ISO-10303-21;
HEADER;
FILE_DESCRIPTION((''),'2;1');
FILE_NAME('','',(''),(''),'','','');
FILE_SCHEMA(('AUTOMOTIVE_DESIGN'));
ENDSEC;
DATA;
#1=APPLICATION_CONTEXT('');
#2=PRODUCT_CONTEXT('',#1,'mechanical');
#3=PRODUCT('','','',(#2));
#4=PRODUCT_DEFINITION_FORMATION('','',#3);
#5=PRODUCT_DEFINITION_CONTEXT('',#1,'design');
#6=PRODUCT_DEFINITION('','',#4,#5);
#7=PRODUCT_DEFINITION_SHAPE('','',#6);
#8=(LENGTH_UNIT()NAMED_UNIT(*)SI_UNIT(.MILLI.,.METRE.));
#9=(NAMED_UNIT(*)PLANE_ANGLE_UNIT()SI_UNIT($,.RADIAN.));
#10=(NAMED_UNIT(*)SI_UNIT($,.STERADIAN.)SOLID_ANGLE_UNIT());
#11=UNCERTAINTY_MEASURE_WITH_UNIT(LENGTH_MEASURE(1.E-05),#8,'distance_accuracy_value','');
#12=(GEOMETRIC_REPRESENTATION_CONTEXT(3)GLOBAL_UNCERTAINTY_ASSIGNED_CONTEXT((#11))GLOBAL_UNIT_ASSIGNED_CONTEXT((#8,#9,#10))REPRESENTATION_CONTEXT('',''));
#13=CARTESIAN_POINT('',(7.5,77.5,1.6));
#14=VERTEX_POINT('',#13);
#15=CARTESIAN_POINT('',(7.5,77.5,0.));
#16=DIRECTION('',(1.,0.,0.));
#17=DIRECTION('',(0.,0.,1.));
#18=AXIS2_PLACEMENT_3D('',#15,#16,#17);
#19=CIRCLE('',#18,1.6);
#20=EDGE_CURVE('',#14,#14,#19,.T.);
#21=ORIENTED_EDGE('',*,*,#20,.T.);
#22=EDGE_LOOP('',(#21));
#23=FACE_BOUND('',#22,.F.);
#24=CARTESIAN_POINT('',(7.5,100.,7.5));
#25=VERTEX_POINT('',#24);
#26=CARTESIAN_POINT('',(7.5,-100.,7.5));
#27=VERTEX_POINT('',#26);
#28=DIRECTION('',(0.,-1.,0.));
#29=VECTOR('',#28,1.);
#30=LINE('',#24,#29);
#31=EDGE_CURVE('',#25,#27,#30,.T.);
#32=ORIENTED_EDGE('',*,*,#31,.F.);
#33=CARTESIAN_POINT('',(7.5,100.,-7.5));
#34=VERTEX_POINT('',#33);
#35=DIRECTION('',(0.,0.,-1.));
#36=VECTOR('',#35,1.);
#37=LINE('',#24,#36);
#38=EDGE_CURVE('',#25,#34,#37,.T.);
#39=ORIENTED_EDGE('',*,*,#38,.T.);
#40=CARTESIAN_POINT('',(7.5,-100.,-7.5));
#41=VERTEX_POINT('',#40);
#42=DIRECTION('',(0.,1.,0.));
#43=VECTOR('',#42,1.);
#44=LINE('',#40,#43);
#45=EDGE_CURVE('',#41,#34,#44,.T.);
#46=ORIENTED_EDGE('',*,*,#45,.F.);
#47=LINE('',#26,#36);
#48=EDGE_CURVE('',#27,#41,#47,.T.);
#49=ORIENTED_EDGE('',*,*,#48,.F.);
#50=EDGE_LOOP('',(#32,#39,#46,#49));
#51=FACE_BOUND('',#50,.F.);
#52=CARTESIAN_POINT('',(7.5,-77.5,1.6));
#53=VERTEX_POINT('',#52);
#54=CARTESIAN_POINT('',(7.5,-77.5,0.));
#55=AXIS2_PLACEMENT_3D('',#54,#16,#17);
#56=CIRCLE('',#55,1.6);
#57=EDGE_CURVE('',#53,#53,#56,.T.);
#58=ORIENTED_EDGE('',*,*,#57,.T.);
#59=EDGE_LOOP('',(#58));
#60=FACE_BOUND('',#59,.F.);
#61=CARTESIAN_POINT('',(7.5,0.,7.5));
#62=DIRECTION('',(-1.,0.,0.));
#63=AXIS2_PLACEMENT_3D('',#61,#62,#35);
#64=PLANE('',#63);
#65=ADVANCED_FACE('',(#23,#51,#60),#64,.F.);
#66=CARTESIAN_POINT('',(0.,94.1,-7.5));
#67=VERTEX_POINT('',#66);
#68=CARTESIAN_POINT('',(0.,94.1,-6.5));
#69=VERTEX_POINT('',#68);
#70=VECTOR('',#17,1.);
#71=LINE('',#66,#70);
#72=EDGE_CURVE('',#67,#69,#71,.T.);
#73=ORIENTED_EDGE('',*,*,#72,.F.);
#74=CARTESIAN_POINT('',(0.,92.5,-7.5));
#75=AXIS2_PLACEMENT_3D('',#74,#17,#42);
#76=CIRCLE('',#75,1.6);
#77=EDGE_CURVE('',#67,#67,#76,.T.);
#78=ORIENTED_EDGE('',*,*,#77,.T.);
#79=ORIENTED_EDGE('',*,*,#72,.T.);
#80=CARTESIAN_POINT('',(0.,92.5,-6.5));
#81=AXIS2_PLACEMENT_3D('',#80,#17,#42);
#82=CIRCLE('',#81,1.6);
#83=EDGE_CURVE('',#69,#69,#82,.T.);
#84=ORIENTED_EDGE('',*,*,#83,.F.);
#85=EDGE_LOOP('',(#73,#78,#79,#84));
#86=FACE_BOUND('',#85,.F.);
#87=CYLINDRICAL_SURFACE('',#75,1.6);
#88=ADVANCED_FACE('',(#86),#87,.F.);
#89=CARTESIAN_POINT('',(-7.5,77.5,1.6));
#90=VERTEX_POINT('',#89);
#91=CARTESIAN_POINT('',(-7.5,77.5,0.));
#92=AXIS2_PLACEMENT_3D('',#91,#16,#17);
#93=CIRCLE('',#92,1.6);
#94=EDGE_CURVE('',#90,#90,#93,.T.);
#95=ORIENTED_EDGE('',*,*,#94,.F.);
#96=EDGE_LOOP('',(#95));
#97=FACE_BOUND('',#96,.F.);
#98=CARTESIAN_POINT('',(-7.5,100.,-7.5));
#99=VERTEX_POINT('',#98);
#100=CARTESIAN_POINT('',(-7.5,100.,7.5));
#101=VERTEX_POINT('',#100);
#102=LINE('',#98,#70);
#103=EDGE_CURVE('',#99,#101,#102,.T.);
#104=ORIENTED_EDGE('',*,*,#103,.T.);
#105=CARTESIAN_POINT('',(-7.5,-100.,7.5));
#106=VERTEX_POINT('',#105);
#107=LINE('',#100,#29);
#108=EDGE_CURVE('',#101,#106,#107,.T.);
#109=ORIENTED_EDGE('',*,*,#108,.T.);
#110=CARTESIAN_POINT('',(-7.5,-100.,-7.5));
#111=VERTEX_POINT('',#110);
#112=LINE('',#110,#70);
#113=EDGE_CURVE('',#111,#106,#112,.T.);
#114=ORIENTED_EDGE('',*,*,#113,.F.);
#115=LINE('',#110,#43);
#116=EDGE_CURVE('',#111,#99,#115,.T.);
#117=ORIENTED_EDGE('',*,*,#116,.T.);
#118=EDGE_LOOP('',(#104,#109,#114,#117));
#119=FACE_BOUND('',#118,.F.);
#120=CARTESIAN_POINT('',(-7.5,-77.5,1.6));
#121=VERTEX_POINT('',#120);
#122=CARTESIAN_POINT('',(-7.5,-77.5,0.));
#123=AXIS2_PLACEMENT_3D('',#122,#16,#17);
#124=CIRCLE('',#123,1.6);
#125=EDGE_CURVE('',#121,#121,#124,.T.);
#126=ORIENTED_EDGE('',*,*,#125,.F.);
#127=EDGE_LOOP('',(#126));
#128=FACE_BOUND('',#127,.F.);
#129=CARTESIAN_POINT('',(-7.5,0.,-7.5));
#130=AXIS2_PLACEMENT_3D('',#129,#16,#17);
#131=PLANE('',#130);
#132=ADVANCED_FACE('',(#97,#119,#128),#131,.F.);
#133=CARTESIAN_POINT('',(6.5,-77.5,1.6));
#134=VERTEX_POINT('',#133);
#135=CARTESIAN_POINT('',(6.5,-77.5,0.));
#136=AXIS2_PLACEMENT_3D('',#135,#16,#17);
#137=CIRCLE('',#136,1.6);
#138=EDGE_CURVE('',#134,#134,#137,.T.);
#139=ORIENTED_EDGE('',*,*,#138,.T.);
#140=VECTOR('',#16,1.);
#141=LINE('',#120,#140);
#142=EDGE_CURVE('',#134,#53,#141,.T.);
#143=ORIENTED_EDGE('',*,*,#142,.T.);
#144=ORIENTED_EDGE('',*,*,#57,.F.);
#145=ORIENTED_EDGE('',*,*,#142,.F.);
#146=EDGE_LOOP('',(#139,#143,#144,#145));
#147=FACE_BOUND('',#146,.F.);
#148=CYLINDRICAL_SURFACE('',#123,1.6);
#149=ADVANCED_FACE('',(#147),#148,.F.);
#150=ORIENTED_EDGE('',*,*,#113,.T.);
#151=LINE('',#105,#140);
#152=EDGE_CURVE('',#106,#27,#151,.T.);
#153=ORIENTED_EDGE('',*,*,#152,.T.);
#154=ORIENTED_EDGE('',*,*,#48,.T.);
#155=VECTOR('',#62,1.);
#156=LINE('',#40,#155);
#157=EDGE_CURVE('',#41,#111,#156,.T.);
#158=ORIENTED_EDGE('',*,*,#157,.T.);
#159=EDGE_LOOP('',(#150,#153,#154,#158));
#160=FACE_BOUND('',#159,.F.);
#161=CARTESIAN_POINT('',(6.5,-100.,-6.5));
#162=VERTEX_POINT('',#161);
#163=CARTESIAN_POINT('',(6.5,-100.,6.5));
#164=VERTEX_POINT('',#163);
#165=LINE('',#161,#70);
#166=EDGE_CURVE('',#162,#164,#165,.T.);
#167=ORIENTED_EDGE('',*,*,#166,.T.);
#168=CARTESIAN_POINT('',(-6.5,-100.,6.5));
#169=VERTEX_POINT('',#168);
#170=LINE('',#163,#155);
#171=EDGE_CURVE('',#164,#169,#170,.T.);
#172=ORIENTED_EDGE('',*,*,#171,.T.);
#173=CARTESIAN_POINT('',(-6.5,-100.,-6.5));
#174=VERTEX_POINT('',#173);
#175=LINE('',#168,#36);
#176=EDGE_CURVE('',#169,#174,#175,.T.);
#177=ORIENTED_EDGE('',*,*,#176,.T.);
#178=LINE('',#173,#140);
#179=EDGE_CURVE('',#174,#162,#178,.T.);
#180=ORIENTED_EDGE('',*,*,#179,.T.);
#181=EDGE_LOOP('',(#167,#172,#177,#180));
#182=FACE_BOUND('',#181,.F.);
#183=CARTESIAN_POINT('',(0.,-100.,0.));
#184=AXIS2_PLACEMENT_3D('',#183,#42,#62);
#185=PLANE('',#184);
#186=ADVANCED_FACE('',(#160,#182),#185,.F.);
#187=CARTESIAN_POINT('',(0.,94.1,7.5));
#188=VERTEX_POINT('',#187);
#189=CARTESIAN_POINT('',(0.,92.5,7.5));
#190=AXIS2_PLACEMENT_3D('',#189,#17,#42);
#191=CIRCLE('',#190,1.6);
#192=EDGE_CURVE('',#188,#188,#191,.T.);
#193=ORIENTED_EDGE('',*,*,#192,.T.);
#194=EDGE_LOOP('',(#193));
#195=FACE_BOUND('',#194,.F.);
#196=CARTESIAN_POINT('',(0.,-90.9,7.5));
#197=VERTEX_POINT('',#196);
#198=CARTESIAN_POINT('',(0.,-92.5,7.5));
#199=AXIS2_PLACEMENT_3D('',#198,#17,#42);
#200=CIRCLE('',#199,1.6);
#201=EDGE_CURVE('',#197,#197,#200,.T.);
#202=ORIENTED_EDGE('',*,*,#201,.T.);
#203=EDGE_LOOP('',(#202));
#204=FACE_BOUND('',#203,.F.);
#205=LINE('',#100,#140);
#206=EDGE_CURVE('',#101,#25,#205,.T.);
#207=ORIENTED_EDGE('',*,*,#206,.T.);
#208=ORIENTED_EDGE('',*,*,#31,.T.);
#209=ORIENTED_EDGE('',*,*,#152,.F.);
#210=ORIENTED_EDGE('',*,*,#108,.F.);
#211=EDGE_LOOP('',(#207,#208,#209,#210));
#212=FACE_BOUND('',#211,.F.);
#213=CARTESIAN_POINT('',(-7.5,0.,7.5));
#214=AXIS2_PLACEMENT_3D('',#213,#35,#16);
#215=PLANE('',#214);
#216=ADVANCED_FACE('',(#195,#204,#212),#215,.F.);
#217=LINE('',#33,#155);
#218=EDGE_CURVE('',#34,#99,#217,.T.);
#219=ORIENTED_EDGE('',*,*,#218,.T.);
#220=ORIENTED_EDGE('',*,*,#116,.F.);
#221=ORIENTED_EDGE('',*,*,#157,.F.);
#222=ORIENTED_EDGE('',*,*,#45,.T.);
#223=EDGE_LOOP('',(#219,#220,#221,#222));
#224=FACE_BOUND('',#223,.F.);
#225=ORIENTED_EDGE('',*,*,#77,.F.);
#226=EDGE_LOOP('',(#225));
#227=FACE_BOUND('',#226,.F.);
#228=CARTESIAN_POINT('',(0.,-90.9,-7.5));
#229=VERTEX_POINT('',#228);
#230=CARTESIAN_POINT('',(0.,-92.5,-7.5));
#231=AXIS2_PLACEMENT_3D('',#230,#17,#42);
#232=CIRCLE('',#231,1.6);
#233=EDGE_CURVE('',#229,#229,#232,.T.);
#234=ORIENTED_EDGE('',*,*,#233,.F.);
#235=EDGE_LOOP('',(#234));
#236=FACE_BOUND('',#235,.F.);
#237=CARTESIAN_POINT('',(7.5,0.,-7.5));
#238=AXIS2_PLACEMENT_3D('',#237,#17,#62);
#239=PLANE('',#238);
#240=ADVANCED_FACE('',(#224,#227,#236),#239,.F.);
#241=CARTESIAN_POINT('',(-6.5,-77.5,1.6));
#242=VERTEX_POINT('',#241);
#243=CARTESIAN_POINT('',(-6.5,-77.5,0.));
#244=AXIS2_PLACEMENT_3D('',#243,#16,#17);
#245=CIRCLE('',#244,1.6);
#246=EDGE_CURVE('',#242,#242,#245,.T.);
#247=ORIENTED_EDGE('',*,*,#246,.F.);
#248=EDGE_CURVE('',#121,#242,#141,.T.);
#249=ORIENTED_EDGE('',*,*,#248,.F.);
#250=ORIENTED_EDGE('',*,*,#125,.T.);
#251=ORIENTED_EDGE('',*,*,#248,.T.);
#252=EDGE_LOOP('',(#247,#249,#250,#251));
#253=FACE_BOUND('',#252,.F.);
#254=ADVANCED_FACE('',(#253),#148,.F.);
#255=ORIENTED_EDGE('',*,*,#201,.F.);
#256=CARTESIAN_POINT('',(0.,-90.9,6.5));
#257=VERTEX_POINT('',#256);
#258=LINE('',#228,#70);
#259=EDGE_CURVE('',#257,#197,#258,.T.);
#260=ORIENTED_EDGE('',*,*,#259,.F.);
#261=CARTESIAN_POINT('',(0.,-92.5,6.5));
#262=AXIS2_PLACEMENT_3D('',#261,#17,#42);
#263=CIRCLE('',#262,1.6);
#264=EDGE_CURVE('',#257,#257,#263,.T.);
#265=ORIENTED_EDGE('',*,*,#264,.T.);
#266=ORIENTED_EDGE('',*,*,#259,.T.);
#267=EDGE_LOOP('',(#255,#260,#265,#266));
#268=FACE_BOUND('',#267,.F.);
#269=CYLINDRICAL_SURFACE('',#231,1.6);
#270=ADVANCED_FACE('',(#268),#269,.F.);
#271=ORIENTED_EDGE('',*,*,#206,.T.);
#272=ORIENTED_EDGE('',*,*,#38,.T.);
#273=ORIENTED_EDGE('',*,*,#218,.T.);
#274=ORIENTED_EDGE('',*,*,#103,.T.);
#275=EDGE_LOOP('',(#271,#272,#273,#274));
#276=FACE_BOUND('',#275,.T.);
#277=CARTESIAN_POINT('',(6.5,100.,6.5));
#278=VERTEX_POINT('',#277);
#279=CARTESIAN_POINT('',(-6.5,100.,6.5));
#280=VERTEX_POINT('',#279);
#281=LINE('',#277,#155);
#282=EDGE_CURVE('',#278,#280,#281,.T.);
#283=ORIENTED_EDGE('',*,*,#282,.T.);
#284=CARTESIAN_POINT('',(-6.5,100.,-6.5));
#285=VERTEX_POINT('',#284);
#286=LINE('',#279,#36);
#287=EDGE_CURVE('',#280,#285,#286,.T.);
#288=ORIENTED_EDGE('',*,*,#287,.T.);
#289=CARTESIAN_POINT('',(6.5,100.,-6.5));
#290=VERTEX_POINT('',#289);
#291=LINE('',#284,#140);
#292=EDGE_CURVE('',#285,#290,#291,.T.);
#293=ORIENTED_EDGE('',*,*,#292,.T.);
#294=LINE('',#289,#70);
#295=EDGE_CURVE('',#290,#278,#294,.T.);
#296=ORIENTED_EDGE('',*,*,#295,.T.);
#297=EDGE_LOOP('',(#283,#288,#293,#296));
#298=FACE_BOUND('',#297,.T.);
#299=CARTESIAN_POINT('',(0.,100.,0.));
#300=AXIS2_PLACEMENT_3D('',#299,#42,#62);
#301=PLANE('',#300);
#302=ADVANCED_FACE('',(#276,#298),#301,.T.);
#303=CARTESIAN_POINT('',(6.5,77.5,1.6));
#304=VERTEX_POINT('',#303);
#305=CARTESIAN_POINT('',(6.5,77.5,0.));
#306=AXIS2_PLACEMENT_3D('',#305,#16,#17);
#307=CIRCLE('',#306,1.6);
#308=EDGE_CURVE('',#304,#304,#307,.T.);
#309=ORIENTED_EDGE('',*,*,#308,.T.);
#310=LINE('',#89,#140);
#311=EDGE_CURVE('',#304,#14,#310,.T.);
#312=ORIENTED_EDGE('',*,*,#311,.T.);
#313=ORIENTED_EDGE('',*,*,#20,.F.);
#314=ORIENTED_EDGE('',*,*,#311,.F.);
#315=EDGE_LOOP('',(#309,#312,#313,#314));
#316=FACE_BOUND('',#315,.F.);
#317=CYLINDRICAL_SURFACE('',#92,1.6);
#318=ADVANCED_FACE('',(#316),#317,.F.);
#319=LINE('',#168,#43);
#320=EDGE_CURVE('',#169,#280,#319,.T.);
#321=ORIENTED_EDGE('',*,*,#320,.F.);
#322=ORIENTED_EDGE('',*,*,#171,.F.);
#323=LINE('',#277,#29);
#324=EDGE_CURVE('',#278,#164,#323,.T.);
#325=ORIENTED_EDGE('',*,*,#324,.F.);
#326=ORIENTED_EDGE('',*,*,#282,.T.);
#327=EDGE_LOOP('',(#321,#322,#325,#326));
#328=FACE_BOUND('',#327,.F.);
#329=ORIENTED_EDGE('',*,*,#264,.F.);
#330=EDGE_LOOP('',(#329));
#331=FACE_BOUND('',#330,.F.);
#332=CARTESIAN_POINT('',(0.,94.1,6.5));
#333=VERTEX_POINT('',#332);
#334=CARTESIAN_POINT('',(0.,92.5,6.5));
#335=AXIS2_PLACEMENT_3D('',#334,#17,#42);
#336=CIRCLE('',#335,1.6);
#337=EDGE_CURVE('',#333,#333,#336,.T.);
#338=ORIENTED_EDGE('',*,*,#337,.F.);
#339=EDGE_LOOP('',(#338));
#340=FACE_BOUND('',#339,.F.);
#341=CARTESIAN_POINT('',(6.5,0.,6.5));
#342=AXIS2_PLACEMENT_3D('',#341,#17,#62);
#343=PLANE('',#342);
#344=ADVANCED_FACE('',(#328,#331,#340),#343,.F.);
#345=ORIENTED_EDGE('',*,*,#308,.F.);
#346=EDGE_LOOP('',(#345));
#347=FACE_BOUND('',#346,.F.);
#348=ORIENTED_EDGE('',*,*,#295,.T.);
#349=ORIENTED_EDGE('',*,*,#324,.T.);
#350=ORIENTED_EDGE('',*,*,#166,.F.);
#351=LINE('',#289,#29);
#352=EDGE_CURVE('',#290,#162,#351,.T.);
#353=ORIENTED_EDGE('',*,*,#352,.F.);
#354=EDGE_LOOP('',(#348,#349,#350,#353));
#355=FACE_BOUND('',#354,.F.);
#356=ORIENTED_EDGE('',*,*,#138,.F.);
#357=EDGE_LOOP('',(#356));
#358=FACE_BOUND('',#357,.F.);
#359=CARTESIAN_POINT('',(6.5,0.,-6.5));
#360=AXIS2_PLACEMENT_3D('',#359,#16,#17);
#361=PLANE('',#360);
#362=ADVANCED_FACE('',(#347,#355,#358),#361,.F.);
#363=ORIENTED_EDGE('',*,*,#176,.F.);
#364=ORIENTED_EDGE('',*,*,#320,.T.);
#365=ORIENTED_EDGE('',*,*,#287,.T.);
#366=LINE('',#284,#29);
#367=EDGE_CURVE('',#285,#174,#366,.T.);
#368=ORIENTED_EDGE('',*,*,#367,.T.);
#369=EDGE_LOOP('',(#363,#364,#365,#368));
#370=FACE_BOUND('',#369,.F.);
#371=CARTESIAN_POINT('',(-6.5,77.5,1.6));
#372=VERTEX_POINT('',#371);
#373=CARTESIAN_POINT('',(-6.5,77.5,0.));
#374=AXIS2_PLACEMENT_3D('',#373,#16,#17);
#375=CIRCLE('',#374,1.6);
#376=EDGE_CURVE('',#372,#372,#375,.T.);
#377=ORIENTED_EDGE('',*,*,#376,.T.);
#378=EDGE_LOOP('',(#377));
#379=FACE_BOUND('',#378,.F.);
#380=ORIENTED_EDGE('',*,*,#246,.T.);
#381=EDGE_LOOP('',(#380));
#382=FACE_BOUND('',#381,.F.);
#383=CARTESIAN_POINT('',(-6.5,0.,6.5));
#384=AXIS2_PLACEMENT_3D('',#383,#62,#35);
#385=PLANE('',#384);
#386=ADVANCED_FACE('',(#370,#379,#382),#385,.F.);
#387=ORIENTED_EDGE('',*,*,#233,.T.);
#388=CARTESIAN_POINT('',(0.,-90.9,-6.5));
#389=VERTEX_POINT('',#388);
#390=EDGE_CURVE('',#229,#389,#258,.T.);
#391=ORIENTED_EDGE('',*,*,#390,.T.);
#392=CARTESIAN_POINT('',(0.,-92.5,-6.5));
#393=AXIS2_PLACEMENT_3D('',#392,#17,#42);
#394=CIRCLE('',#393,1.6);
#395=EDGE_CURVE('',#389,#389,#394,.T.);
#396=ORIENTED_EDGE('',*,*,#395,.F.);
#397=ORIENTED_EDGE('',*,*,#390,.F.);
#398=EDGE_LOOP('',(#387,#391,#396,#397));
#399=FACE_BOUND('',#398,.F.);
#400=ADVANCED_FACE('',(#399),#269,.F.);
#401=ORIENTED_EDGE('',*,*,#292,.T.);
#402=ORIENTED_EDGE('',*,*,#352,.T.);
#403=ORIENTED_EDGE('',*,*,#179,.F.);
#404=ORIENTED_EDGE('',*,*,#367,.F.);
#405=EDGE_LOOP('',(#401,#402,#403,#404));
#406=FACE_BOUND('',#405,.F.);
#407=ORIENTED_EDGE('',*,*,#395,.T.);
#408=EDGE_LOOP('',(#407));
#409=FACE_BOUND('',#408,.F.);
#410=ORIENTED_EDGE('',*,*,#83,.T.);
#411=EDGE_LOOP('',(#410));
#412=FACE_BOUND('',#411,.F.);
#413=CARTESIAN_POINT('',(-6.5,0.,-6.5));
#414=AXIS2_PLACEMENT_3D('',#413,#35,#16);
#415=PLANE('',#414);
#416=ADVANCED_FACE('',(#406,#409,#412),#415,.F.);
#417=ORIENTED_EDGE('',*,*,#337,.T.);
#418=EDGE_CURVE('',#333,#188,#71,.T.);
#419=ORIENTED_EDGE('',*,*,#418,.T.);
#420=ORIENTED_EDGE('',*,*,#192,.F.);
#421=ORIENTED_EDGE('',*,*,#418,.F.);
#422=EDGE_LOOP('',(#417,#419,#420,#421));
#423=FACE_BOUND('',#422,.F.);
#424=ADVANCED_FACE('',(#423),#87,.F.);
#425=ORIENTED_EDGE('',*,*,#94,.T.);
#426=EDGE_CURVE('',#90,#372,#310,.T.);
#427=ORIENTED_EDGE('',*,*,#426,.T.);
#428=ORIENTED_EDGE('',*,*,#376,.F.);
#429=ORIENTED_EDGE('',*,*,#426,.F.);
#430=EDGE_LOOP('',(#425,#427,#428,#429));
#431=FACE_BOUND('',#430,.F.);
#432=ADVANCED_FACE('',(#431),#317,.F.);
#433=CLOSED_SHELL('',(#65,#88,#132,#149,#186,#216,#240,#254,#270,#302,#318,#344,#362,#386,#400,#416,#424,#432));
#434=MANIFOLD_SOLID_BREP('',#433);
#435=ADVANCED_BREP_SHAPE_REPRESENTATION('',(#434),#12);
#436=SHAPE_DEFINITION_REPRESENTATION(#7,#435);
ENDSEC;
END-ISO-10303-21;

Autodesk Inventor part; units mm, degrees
ref_plane "YZ Plane" through (0, 0, 0) normal (1, 0, 0) x (0, 1, 0)
ref_plane "XZ Plane" through (0, 0, 0) normal (0, 1, 0) x (-1, 0, 0)
ref_plane "XY Plane" through (0, 0, 0) normal (0, 0, 1) x (1, 0, 0)
sketch "スケッチ1" plane through (0, 0, 0) normal (0, 1, 0) x (-1, 0, 0)
  line L0 (-7.5, -7.5) -> (7.5, -7.5)
  line L1 (7.5, -7.5) -> (7.5, 7.5)
  line L2 (7.5, 7.5) -> (-7.5, 7.5)
  line L3 (-7.5, 7.5) -> (-7.5, -7.5)
  line L4 (-7.5, -7.5) -> (7.5, 7.5) construction
  line L5 (7.5, -7.5) -> (-7.5, 7.5) construction
  line L6 (6.5, 6.5) -> (6.5, -6.5)
  line L7 (6.5, -6.5) -> (-6.5, -6.5)
  line L8 (-6.5, -6.5) -> (-6.5, 6.5)
  line L9 (-6.5, 6.5) -> (6.5, 6.5)
  point P0 (0, 0)
  dimension "d0" = 15
  dimension "d1" = 15
extrude "押し出し1" add sketch "スケッチ1" along normal mid plane 200
sketch "スケッチ3" plane through (-7.5, -100, 7.5) normal (-1, 0, 0) x (0, 0, 1)
  line L0 (-7.5, 177.5) -> (-7.5, 22.5)
  line L1 (0, 0) -> (-15, 0) projected
  point P0 (-7.5, 100)
  point P1 (-7.5, 100)
  dimension "d20" = 22.5
hole "穴1" at (-7.5, 77.5, 0) at (-7.5, -77.5, 0) direction (1, 0, 0) diameter 3.2 end through all
sketch "スケッチ4" plane through (7.5, 100, -7.5) normal (0, 0, -1) x (-1, 0, 0)
  line L0 (7.5, -7.5) -> (7.5, -192.5)
  line L1 (15, -200) -> (0, -200) projected
  point P0 (7.5, -100)
  point P1 (7.5, -100)
  dimension "d21" = 7.5
hole "穴2" at (0, 92.5, -7.5) at (0, -92.5, -7.5) direction (0, 0, 1) diameter 3.2 end through all
properties part number "回路角柱L200"
